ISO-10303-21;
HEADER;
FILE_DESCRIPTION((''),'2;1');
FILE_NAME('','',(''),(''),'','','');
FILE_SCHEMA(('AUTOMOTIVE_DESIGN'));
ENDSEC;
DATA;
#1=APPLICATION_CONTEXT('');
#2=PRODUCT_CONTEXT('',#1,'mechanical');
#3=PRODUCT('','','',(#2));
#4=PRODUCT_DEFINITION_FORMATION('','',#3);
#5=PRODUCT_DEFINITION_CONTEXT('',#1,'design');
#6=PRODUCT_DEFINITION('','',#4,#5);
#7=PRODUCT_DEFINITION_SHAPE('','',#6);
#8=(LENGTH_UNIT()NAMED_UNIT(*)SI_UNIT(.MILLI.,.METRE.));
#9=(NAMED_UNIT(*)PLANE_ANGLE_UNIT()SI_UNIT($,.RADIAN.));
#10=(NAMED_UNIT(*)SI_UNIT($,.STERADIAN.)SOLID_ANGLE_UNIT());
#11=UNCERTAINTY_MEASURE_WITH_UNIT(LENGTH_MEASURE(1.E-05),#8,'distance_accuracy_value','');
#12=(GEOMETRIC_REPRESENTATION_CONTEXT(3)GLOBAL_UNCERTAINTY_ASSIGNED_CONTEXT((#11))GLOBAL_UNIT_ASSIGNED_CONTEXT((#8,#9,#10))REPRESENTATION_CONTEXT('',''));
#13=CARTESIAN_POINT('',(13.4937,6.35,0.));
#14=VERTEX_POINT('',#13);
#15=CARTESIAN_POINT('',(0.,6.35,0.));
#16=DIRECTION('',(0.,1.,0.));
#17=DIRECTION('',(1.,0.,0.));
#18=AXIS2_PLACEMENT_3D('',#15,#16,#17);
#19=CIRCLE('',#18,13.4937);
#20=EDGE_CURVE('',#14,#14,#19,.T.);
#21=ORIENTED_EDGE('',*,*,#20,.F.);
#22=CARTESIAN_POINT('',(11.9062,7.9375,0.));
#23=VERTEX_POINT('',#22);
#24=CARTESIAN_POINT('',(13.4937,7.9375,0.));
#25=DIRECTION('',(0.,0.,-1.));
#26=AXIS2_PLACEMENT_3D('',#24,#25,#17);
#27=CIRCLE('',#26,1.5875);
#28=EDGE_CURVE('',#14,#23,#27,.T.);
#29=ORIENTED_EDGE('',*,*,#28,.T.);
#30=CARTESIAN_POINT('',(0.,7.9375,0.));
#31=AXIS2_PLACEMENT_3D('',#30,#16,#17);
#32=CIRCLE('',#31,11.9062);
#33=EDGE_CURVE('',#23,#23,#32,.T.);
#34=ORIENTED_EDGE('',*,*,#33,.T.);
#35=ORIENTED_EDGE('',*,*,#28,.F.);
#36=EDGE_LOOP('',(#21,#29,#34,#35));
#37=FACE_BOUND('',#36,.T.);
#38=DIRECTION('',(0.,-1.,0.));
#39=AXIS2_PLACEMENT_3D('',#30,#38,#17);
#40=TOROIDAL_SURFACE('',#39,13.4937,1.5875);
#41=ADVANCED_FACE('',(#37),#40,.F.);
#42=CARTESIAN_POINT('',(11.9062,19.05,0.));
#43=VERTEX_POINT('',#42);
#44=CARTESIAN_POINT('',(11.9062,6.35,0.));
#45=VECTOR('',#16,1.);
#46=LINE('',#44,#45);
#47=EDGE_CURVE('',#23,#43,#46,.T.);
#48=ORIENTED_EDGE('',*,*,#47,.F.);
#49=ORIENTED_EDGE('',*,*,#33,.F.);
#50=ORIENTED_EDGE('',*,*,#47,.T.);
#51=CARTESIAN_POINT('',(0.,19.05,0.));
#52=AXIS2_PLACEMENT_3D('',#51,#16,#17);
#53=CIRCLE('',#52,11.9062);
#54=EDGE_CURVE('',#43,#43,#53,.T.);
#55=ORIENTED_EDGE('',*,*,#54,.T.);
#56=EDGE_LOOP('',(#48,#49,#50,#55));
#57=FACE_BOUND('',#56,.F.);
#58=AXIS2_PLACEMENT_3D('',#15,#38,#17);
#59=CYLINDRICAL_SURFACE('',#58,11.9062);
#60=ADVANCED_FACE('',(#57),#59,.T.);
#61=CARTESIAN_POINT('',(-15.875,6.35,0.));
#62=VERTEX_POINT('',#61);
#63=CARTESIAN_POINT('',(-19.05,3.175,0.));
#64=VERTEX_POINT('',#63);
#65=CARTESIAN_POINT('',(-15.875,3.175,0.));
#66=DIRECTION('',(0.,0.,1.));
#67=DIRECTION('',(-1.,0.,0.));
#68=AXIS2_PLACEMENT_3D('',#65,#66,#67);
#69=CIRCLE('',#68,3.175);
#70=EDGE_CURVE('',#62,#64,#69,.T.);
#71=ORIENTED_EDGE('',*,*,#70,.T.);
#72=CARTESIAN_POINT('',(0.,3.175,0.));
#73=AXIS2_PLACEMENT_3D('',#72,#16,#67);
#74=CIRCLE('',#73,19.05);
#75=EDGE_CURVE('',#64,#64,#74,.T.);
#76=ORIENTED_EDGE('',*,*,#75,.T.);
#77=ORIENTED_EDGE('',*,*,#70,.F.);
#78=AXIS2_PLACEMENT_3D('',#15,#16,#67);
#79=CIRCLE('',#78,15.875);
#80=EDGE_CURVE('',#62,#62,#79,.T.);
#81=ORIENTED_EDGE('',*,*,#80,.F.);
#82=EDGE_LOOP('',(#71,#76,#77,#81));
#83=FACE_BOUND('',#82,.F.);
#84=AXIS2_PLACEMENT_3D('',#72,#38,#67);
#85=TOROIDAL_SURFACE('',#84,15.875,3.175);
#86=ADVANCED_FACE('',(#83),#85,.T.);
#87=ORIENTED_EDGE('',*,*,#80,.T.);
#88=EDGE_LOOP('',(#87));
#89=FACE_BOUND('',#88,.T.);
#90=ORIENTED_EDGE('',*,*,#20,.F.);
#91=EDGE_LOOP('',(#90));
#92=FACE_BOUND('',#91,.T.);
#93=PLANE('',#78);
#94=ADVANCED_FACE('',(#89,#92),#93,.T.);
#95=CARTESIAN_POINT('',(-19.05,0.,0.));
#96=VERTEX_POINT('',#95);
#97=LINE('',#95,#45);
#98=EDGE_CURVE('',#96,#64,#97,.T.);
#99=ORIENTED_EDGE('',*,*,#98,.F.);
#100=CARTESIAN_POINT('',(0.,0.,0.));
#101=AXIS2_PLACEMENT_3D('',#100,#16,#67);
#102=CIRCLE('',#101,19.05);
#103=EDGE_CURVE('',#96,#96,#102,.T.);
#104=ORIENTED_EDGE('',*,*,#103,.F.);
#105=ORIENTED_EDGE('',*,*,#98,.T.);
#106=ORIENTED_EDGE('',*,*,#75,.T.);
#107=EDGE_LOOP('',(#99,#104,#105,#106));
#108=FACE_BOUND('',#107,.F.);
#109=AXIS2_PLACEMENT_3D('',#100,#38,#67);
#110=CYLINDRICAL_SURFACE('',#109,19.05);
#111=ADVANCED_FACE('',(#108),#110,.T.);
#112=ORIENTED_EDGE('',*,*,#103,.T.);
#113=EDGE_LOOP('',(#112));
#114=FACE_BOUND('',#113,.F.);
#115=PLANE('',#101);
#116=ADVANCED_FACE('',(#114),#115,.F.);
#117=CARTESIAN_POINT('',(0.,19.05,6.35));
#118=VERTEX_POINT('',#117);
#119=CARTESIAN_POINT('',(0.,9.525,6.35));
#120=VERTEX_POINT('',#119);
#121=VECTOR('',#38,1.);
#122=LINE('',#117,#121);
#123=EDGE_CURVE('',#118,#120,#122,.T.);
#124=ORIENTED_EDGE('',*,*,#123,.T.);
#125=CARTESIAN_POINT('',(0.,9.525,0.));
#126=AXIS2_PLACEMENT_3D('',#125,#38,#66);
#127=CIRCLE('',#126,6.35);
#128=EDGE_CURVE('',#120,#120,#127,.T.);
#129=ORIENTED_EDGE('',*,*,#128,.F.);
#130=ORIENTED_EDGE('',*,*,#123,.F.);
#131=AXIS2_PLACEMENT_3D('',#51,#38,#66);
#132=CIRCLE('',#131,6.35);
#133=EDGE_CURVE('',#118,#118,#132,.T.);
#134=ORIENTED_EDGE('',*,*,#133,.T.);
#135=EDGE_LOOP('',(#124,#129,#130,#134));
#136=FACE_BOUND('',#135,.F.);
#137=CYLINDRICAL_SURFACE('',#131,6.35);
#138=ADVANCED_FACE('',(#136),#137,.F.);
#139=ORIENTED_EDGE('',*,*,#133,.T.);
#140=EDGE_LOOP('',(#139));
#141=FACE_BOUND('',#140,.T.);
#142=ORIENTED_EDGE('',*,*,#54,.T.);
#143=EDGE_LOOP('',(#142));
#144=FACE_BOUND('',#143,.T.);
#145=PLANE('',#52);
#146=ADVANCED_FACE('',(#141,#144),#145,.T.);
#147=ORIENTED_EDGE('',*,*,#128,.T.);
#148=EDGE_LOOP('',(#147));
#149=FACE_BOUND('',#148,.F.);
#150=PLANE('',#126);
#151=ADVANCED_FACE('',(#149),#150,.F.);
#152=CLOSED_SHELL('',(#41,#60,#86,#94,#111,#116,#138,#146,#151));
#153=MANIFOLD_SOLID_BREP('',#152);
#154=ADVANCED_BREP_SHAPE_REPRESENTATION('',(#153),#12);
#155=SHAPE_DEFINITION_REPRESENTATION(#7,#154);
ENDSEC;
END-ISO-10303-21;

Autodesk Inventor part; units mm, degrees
ref_plane "YZ Plane" through (0, 0, 0) normal (1, 0, 0) x (0, 1, 0)
ref_plane "XZ Plane" through (0, 0, 0) normal (0, 1, 0) x (-1, 0, 0)
ref_plane "XY Plane" through (0, 0, 0) normal (0, 0, 1) x (1, 0, 0)
sketch "Sketch1" plane through (0, 0, 0) normal (0, 1, 0) x (-1, 0, 0)
  circle A0 centre (0, 0) radius 19.05
  dimension "d0" = 38.1
extrude "Extrusion1" add sketch "Sketch1" along normal blind 6.35
sketch "Sketch2" plane through (0, 6.35, 0) normal (0, 1, 0) x (1, 0, 0)
  circle A0 centre (0, 0) radius 11.9062
  dimension "d3" = 23.8125
extrude "Extrusion2" add sketch "Sketch2" along normal blind 12.7
sketch "Sketch3" plane through (0, 19.05, 0) normal (0, 1, 0) x (1, 0, 0)
  circle A0 centre (0, 0) radius 11.9062 projected
hole "Hole1" at (0, 19.05, 0) direction (0, -1, 0) diameter 12.7 depth 9.525
fillet "Fillet1" radius 1.5875 1 edges at (-11.9062, 6.35, 0)
fillet "Fillet2" radius 3.175 1 edges at (19.05, 6.35, 0)
properties part number "Feet"
